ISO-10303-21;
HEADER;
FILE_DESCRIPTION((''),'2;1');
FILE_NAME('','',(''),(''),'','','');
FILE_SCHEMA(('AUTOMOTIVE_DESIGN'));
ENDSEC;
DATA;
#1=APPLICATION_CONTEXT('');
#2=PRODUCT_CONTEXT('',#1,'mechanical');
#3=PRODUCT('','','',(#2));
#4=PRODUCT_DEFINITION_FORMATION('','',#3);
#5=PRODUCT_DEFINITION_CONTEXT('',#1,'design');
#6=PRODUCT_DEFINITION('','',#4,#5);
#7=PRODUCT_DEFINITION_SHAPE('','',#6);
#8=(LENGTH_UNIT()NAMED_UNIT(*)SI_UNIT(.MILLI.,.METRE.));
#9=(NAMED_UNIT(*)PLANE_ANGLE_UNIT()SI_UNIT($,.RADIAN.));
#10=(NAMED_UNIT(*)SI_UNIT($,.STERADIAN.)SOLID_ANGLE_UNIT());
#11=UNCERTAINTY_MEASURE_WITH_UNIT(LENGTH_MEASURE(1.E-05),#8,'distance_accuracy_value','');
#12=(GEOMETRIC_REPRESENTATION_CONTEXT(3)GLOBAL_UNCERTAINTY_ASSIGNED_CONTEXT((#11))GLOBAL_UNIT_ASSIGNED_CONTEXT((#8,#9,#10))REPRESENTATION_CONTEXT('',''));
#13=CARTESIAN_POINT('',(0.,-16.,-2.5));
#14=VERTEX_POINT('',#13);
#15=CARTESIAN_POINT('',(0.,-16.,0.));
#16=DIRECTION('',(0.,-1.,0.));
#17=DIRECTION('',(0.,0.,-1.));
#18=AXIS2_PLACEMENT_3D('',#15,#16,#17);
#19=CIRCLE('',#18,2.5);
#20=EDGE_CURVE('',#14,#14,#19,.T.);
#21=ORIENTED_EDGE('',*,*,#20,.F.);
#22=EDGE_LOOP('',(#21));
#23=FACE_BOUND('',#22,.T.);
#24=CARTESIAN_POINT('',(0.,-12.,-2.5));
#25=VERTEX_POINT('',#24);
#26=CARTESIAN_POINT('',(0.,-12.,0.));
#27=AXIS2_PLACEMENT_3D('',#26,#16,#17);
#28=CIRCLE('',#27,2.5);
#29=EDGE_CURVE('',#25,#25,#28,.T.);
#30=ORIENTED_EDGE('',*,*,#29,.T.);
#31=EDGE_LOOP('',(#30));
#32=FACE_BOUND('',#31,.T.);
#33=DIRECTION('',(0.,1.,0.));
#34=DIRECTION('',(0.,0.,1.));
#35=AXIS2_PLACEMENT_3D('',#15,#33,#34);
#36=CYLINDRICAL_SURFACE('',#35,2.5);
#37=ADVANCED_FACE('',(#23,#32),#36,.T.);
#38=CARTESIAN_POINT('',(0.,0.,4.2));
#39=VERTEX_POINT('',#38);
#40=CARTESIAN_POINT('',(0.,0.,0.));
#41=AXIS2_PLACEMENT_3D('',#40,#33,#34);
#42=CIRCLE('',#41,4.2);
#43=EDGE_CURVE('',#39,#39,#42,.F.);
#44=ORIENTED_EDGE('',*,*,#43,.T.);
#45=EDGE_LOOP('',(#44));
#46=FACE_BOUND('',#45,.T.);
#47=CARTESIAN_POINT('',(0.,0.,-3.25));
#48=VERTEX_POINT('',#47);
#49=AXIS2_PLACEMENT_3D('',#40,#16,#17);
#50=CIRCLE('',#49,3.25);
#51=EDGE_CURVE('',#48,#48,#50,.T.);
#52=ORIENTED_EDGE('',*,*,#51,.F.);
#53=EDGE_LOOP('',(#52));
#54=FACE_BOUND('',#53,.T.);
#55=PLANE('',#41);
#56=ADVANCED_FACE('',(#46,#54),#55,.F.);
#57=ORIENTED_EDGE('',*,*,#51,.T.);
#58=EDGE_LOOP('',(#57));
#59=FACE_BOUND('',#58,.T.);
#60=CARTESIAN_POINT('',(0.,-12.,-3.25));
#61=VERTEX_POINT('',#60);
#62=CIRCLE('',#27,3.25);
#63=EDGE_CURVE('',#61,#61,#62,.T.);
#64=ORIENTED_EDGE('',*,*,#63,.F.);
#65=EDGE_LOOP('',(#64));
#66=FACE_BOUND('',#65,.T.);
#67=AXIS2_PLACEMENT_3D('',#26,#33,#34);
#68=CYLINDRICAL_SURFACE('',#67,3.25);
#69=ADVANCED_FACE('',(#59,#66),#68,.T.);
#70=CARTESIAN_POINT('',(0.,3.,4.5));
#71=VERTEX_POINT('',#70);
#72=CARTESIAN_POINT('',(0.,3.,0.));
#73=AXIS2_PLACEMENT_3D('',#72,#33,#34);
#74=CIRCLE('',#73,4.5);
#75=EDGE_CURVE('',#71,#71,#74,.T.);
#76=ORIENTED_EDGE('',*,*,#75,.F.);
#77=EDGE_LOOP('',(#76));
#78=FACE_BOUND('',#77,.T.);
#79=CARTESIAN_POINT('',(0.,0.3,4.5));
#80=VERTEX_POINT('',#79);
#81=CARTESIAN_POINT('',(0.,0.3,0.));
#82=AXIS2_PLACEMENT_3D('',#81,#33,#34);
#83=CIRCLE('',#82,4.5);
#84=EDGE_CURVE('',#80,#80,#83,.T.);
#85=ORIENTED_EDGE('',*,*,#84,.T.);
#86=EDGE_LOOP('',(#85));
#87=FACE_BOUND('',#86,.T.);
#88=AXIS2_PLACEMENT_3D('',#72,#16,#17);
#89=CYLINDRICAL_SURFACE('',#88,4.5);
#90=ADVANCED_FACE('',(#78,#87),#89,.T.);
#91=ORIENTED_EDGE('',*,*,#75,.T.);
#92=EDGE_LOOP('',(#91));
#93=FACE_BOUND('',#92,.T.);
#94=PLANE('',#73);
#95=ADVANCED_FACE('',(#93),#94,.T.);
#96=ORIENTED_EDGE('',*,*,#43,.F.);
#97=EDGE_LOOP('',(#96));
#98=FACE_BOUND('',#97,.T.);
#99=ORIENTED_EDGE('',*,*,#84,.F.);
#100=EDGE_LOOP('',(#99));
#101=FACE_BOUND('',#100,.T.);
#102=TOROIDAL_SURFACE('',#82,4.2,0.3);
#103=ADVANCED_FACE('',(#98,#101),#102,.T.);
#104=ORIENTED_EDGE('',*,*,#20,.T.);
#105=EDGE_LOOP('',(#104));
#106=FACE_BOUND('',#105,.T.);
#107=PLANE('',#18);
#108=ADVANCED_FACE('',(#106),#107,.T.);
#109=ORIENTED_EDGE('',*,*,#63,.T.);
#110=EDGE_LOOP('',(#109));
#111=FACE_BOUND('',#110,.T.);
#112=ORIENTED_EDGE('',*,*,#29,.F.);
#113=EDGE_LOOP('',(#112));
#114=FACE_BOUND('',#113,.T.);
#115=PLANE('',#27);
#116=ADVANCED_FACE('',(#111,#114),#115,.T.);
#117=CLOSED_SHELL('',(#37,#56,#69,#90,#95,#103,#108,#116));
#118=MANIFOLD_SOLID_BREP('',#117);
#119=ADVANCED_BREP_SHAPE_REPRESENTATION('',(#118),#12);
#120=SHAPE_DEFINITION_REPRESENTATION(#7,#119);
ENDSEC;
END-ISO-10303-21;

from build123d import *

# Parameters (mm, degrees)
ESBO_O1_R                = 4.5
RESSALTO_EXTRUS_O1_DEPTH = 3
ESBO_O2_R                = 3.25
RESSALTO_EXTRUS_O2_DEPTH = 12
ESBO_O3_R                = 2.5
RESSALTO_EXTRUS_O3_DEPTH = 4
FILETE2_R                = 0.3


with BuildPart() as part:
    # Esboço1 → Ressalto-extrusão1 (new body)
    with BuildSketch(Plane(origin=(0, 0, 0), x_dir=(1, 0, 0), z_dir=(0, 1, 0))):
        with Locations(Location((0, 0, 0), (0, 0, 270))):
            Circle(ESBO_O1_R)
    extrude(amount=RESSALTO_EXTRUS_O1_DEPTH)

    # Esboço2 → Ressalto-extrusão2 (add)
    with BuildSketch(Plane.XZ):
        with Locations(Location((0, 0, 0), (0, 0, 270))):
            Circle(ESBO_O2_R)
    extrude(amount=RESSALTO_EXTRUS_O2_DEPTH)

    # Esboço3 → Ressalto-extrusão3 (add)
    with BuildSketch(Plane.XZ.offset(12)):
        with Locations(Location((0, 0, 0), (0, 0, 270))):
            Circle(ESBO_O3_R)
    extrude(amount=RESSALTO_EXTRUS_O3_DEPTH)

    # Filete2
    filete2_edges = [part.edges().sort_by_distance(p)[0] for p in [
        (0, 0, -4.5),
    ]]
    fillet(filete2_edges, radius=FILETE2_R)


solid = part.part
